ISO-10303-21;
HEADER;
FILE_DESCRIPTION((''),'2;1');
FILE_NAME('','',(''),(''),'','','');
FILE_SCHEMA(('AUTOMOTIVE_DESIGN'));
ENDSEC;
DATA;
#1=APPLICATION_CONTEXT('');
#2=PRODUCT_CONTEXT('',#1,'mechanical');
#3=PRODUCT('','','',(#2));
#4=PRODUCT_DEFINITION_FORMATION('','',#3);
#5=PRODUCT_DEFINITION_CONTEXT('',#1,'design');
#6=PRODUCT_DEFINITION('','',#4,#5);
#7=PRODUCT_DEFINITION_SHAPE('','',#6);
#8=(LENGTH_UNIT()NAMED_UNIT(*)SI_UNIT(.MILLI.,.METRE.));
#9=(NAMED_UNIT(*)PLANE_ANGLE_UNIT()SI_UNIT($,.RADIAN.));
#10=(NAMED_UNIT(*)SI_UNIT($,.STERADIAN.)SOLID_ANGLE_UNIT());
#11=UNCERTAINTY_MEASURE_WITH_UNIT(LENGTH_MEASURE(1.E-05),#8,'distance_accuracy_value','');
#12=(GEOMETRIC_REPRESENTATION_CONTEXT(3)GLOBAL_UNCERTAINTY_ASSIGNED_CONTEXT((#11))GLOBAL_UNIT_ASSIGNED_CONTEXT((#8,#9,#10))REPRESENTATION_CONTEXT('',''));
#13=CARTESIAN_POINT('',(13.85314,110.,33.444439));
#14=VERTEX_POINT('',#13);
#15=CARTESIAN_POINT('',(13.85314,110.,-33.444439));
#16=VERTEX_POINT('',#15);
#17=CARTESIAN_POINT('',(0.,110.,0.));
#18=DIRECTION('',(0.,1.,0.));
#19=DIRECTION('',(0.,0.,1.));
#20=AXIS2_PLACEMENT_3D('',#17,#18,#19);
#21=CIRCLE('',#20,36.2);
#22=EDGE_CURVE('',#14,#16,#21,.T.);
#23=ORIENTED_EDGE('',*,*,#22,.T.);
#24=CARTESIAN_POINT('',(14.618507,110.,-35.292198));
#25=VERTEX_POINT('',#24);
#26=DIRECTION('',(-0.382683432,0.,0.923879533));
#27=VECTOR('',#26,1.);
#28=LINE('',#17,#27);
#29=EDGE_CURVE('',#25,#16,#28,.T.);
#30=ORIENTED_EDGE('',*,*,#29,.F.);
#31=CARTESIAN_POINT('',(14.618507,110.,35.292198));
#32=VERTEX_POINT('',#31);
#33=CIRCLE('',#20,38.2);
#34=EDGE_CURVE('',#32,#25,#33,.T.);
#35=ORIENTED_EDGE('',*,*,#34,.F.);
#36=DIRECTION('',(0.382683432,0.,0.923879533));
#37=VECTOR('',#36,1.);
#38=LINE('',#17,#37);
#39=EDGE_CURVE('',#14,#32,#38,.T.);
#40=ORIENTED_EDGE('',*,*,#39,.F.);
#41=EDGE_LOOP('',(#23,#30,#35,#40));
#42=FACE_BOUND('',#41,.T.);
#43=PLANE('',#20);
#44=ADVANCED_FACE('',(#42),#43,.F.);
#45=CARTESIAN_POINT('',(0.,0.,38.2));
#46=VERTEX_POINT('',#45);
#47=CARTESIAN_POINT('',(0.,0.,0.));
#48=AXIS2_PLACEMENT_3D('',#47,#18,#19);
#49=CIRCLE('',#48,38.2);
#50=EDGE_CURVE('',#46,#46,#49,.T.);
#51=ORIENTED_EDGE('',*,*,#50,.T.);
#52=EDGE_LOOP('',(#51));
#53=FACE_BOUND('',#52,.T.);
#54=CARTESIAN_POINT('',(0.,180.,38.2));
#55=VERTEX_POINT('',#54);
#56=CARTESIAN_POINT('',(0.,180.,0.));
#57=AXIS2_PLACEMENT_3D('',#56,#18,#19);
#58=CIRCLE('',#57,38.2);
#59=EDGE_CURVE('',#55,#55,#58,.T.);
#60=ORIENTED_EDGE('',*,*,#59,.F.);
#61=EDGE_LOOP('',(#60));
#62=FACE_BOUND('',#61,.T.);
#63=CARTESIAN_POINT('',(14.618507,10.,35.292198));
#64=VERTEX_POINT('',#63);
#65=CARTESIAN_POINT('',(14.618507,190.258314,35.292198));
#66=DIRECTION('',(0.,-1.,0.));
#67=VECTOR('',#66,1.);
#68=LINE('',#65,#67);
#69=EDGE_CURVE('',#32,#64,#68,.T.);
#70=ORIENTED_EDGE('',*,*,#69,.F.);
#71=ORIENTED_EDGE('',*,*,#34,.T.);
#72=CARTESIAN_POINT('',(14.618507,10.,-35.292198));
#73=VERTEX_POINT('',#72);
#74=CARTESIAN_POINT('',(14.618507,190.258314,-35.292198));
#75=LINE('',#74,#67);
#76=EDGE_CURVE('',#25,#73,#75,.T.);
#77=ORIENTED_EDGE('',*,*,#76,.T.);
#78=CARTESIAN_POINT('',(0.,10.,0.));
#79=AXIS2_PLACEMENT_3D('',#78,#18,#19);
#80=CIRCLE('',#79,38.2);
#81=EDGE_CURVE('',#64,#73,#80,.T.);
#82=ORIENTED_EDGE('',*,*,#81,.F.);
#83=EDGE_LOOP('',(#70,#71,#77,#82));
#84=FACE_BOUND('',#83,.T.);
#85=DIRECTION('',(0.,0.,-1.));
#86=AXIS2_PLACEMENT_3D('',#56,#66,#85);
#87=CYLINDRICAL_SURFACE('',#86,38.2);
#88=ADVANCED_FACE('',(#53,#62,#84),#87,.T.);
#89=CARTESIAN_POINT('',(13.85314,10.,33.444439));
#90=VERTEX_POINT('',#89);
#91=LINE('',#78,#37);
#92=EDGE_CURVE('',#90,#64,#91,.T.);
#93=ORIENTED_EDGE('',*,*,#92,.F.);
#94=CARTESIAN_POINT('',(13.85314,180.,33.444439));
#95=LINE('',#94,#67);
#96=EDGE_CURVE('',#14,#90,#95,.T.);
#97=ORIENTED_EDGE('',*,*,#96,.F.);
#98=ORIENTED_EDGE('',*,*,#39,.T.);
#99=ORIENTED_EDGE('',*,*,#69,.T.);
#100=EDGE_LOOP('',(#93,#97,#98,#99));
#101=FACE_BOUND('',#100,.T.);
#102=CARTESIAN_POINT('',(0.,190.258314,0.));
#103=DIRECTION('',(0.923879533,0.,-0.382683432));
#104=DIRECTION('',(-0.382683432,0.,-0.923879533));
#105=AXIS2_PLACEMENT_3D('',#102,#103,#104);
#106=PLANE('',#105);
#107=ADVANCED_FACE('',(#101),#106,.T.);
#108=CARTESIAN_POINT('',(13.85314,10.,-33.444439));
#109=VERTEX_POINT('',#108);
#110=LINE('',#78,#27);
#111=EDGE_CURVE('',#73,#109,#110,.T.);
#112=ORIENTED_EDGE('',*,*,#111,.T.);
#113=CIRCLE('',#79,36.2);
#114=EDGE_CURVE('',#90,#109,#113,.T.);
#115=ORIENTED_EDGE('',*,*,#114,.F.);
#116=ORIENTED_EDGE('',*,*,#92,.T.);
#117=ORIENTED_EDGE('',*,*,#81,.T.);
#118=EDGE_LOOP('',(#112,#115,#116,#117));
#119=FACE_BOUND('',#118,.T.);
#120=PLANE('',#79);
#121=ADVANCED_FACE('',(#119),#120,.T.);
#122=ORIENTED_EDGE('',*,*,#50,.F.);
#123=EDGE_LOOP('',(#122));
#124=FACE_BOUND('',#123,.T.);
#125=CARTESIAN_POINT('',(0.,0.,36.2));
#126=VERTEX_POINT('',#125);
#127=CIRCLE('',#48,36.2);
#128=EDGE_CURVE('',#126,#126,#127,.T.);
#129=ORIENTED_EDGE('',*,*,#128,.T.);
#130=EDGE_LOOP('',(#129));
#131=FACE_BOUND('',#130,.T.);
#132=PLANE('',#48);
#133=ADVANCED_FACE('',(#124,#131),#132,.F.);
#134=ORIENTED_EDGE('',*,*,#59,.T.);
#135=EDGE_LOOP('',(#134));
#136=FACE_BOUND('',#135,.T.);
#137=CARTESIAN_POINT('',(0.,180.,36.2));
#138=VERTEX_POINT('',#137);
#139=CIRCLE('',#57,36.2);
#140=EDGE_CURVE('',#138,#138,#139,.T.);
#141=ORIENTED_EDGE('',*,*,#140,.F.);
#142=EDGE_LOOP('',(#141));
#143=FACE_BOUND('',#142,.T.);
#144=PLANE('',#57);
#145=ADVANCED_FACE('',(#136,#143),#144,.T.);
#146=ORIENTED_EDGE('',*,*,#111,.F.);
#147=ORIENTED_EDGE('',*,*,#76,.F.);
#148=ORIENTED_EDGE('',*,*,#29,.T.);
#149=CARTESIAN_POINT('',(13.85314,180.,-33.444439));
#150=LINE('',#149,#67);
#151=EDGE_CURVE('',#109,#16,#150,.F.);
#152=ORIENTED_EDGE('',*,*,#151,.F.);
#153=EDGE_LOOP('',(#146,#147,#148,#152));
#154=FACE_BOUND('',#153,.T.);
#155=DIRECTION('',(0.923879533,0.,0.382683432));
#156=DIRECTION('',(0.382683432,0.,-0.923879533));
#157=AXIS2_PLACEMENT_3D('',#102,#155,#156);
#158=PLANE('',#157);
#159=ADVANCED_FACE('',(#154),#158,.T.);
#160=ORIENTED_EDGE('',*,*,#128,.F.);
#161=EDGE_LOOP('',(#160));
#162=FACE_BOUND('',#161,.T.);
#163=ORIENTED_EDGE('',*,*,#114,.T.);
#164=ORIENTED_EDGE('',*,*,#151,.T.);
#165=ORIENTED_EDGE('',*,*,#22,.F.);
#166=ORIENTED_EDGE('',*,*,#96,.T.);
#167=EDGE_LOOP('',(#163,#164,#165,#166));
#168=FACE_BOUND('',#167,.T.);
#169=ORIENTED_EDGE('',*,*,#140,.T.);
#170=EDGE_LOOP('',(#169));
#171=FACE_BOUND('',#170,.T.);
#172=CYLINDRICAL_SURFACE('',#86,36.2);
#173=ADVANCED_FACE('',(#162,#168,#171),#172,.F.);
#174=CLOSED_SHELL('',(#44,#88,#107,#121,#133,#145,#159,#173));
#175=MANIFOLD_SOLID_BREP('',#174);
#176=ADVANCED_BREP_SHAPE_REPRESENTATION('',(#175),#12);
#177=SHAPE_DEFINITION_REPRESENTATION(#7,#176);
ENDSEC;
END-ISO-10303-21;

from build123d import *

# Parameters (mm, degrees)
SKETCH1_R           = 38.2
BOSS_EXTRUDE1_DEPTH = 180
SHELL1_T            = -2
CUT_EXTRUDE2_DEPTH  = 100


with BuildPart() as part:
    # Sketch1 → Boss-Extrude1 (new body)
    with BuildSketch(Plane(origin=(0, 0, 0), x_dir=(1, 0, 0), z_dir=(0, 1, 0))):
        with Locations(Location((0, 0, 0), (0, 0, 90))):
            Circle(SKETCH1_R)
    extrude(amount=BOSS_EXTRUDE1_DEPTH)

    # Shell1
    shell1_openings = [part.faces().sort_by_distance(p)[0] for p in [
        (0, 180, 0),
        (0, 0, 0),
    ]]
    offset(amount=SHELL1_T, openings=shell1_openings, kind=Kind.INTERSECTION)

    # Sketch4 → Cut-Extrude2 (cut)
    with BuildSketch(Plane(origin=(0, 10, 0), x_dir=(1, 0, 0), z_dir=(0, 1, 0))):
        with BuildLine():
            Line((0, 0), (14.618507116, 35.292198142))
            ThreePointArc((14.618507116, 35.292198142), (38.2, 0), (14.618507116, -35.292198142))
            Line((14.618507116, -35.292198142), (0, 0))
        make_face()
    extrude(amount=CUT_EXTRUDE2_DEPTH, mode=Mode.SUBTRACT)


solid = part.part
